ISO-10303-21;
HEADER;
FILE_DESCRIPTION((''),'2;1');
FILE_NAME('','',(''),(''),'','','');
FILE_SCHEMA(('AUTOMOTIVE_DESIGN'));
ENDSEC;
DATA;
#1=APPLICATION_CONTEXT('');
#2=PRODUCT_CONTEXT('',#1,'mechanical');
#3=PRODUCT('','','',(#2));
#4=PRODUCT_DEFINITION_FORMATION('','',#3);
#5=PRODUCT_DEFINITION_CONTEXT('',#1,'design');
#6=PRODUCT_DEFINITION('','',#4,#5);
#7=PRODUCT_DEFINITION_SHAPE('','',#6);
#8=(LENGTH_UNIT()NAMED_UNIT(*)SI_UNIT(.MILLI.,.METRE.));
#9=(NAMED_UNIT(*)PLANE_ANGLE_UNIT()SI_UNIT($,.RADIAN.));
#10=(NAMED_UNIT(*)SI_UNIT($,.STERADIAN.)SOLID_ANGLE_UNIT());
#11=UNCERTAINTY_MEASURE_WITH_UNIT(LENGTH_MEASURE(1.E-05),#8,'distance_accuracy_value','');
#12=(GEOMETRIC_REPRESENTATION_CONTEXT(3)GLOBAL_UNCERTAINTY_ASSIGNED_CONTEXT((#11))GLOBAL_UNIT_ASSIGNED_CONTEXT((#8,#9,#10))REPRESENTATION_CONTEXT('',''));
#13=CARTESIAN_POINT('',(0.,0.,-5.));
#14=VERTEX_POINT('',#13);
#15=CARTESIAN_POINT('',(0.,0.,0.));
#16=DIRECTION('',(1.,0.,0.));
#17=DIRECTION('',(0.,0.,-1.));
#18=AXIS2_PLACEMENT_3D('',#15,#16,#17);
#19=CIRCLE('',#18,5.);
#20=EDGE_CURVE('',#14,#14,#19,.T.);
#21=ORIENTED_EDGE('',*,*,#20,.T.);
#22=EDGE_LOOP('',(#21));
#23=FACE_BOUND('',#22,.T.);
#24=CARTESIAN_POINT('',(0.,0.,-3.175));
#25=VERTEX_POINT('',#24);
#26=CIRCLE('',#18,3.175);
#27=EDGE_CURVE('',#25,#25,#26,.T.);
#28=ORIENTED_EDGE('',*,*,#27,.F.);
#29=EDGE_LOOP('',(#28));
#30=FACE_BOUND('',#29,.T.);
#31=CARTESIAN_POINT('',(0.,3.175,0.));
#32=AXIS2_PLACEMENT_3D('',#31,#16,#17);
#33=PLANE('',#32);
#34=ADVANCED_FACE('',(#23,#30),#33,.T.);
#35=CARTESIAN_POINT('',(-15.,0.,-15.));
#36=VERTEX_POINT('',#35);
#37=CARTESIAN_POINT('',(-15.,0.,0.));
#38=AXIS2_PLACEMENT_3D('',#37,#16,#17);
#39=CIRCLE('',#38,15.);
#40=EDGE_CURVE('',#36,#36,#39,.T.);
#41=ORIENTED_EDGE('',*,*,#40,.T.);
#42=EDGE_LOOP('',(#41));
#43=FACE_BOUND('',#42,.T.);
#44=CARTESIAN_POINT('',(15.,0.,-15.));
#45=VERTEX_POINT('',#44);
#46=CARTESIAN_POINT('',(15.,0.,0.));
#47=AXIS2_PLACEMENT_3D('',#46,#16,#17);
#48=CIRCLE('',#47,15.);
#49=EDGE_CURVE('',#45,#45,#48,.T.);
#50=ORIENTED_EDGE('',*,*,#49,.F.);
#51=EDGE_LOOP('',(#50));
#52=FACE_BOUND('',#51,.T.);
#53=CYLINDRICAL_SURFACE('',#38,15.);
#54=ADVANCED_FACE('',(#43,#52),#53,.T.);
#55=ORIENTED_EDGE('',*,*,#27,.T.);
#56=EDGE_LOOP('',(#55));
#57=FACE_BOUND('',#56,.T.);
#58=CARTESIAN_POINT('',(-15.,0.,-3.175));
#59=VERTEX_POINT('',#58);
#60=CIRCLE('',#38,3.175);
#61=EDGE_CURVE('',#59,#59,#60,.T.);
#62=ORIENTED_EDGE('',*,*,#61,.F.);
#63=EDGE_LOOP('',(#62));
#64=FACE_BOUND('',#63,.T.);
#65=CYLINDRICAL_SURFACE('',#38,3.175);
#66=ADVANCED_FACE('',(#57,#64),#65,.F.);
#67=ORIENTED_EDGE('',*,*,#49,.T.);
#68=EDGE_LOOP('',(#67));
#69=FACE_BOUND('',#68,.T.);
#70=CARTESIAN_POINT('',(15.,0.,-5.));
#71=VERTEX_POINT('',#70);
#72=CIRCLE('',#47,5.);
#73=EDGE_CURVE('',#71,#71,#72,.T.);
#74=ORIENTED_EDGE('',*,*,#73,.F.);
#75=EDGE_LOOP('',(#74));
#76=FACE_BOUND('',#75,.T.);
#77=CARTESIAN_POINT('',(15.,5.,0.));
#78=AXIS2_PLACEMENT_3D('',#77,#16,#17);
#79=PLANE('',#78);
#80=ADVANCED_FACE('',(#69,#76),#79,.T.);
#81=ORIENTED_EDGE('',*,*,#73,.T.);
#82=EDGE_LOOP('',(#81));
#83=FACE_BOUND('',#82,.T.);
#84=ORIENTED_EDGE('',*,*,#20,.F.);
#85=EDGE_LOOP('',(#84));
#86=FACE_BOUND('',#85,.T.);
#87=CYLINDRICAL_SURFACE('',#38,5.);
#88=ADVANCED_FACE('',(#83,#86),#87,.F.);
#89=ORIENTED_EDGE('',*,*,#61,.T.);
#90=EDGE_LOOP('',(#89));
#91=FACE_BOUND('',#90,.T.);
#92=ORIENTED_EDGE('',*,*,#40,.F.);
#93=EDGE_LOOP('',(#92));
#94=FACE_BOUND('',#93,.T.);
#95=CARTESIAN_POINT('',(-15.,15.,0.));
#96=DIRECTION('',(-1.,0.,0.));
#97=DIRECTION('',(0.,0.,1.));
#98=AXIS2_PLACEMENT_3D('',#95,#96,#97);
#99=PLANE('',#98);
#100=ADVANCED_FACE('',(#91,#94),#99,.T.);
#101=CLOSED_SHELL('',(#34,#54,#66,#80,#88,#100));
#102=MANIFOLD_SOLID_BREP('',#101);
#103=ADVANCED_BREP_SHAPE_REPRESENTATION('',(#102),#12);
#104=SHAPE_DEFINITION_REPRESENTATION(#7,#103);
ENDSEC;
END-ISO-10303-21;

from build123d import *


with BuildPart() as part:
    # Эскиз1 → Повернуть1 (revolve)
    with BuildSketch(Plane.XY):
        Polygon((0, 3.175), (0, 5), (15, 5), (15, 15), (-15, 15), (-15, 3.175), align=None)
    revolve(axis=Axis((-15, 0, 0), (1, 0, 0)))


solid = part.part
